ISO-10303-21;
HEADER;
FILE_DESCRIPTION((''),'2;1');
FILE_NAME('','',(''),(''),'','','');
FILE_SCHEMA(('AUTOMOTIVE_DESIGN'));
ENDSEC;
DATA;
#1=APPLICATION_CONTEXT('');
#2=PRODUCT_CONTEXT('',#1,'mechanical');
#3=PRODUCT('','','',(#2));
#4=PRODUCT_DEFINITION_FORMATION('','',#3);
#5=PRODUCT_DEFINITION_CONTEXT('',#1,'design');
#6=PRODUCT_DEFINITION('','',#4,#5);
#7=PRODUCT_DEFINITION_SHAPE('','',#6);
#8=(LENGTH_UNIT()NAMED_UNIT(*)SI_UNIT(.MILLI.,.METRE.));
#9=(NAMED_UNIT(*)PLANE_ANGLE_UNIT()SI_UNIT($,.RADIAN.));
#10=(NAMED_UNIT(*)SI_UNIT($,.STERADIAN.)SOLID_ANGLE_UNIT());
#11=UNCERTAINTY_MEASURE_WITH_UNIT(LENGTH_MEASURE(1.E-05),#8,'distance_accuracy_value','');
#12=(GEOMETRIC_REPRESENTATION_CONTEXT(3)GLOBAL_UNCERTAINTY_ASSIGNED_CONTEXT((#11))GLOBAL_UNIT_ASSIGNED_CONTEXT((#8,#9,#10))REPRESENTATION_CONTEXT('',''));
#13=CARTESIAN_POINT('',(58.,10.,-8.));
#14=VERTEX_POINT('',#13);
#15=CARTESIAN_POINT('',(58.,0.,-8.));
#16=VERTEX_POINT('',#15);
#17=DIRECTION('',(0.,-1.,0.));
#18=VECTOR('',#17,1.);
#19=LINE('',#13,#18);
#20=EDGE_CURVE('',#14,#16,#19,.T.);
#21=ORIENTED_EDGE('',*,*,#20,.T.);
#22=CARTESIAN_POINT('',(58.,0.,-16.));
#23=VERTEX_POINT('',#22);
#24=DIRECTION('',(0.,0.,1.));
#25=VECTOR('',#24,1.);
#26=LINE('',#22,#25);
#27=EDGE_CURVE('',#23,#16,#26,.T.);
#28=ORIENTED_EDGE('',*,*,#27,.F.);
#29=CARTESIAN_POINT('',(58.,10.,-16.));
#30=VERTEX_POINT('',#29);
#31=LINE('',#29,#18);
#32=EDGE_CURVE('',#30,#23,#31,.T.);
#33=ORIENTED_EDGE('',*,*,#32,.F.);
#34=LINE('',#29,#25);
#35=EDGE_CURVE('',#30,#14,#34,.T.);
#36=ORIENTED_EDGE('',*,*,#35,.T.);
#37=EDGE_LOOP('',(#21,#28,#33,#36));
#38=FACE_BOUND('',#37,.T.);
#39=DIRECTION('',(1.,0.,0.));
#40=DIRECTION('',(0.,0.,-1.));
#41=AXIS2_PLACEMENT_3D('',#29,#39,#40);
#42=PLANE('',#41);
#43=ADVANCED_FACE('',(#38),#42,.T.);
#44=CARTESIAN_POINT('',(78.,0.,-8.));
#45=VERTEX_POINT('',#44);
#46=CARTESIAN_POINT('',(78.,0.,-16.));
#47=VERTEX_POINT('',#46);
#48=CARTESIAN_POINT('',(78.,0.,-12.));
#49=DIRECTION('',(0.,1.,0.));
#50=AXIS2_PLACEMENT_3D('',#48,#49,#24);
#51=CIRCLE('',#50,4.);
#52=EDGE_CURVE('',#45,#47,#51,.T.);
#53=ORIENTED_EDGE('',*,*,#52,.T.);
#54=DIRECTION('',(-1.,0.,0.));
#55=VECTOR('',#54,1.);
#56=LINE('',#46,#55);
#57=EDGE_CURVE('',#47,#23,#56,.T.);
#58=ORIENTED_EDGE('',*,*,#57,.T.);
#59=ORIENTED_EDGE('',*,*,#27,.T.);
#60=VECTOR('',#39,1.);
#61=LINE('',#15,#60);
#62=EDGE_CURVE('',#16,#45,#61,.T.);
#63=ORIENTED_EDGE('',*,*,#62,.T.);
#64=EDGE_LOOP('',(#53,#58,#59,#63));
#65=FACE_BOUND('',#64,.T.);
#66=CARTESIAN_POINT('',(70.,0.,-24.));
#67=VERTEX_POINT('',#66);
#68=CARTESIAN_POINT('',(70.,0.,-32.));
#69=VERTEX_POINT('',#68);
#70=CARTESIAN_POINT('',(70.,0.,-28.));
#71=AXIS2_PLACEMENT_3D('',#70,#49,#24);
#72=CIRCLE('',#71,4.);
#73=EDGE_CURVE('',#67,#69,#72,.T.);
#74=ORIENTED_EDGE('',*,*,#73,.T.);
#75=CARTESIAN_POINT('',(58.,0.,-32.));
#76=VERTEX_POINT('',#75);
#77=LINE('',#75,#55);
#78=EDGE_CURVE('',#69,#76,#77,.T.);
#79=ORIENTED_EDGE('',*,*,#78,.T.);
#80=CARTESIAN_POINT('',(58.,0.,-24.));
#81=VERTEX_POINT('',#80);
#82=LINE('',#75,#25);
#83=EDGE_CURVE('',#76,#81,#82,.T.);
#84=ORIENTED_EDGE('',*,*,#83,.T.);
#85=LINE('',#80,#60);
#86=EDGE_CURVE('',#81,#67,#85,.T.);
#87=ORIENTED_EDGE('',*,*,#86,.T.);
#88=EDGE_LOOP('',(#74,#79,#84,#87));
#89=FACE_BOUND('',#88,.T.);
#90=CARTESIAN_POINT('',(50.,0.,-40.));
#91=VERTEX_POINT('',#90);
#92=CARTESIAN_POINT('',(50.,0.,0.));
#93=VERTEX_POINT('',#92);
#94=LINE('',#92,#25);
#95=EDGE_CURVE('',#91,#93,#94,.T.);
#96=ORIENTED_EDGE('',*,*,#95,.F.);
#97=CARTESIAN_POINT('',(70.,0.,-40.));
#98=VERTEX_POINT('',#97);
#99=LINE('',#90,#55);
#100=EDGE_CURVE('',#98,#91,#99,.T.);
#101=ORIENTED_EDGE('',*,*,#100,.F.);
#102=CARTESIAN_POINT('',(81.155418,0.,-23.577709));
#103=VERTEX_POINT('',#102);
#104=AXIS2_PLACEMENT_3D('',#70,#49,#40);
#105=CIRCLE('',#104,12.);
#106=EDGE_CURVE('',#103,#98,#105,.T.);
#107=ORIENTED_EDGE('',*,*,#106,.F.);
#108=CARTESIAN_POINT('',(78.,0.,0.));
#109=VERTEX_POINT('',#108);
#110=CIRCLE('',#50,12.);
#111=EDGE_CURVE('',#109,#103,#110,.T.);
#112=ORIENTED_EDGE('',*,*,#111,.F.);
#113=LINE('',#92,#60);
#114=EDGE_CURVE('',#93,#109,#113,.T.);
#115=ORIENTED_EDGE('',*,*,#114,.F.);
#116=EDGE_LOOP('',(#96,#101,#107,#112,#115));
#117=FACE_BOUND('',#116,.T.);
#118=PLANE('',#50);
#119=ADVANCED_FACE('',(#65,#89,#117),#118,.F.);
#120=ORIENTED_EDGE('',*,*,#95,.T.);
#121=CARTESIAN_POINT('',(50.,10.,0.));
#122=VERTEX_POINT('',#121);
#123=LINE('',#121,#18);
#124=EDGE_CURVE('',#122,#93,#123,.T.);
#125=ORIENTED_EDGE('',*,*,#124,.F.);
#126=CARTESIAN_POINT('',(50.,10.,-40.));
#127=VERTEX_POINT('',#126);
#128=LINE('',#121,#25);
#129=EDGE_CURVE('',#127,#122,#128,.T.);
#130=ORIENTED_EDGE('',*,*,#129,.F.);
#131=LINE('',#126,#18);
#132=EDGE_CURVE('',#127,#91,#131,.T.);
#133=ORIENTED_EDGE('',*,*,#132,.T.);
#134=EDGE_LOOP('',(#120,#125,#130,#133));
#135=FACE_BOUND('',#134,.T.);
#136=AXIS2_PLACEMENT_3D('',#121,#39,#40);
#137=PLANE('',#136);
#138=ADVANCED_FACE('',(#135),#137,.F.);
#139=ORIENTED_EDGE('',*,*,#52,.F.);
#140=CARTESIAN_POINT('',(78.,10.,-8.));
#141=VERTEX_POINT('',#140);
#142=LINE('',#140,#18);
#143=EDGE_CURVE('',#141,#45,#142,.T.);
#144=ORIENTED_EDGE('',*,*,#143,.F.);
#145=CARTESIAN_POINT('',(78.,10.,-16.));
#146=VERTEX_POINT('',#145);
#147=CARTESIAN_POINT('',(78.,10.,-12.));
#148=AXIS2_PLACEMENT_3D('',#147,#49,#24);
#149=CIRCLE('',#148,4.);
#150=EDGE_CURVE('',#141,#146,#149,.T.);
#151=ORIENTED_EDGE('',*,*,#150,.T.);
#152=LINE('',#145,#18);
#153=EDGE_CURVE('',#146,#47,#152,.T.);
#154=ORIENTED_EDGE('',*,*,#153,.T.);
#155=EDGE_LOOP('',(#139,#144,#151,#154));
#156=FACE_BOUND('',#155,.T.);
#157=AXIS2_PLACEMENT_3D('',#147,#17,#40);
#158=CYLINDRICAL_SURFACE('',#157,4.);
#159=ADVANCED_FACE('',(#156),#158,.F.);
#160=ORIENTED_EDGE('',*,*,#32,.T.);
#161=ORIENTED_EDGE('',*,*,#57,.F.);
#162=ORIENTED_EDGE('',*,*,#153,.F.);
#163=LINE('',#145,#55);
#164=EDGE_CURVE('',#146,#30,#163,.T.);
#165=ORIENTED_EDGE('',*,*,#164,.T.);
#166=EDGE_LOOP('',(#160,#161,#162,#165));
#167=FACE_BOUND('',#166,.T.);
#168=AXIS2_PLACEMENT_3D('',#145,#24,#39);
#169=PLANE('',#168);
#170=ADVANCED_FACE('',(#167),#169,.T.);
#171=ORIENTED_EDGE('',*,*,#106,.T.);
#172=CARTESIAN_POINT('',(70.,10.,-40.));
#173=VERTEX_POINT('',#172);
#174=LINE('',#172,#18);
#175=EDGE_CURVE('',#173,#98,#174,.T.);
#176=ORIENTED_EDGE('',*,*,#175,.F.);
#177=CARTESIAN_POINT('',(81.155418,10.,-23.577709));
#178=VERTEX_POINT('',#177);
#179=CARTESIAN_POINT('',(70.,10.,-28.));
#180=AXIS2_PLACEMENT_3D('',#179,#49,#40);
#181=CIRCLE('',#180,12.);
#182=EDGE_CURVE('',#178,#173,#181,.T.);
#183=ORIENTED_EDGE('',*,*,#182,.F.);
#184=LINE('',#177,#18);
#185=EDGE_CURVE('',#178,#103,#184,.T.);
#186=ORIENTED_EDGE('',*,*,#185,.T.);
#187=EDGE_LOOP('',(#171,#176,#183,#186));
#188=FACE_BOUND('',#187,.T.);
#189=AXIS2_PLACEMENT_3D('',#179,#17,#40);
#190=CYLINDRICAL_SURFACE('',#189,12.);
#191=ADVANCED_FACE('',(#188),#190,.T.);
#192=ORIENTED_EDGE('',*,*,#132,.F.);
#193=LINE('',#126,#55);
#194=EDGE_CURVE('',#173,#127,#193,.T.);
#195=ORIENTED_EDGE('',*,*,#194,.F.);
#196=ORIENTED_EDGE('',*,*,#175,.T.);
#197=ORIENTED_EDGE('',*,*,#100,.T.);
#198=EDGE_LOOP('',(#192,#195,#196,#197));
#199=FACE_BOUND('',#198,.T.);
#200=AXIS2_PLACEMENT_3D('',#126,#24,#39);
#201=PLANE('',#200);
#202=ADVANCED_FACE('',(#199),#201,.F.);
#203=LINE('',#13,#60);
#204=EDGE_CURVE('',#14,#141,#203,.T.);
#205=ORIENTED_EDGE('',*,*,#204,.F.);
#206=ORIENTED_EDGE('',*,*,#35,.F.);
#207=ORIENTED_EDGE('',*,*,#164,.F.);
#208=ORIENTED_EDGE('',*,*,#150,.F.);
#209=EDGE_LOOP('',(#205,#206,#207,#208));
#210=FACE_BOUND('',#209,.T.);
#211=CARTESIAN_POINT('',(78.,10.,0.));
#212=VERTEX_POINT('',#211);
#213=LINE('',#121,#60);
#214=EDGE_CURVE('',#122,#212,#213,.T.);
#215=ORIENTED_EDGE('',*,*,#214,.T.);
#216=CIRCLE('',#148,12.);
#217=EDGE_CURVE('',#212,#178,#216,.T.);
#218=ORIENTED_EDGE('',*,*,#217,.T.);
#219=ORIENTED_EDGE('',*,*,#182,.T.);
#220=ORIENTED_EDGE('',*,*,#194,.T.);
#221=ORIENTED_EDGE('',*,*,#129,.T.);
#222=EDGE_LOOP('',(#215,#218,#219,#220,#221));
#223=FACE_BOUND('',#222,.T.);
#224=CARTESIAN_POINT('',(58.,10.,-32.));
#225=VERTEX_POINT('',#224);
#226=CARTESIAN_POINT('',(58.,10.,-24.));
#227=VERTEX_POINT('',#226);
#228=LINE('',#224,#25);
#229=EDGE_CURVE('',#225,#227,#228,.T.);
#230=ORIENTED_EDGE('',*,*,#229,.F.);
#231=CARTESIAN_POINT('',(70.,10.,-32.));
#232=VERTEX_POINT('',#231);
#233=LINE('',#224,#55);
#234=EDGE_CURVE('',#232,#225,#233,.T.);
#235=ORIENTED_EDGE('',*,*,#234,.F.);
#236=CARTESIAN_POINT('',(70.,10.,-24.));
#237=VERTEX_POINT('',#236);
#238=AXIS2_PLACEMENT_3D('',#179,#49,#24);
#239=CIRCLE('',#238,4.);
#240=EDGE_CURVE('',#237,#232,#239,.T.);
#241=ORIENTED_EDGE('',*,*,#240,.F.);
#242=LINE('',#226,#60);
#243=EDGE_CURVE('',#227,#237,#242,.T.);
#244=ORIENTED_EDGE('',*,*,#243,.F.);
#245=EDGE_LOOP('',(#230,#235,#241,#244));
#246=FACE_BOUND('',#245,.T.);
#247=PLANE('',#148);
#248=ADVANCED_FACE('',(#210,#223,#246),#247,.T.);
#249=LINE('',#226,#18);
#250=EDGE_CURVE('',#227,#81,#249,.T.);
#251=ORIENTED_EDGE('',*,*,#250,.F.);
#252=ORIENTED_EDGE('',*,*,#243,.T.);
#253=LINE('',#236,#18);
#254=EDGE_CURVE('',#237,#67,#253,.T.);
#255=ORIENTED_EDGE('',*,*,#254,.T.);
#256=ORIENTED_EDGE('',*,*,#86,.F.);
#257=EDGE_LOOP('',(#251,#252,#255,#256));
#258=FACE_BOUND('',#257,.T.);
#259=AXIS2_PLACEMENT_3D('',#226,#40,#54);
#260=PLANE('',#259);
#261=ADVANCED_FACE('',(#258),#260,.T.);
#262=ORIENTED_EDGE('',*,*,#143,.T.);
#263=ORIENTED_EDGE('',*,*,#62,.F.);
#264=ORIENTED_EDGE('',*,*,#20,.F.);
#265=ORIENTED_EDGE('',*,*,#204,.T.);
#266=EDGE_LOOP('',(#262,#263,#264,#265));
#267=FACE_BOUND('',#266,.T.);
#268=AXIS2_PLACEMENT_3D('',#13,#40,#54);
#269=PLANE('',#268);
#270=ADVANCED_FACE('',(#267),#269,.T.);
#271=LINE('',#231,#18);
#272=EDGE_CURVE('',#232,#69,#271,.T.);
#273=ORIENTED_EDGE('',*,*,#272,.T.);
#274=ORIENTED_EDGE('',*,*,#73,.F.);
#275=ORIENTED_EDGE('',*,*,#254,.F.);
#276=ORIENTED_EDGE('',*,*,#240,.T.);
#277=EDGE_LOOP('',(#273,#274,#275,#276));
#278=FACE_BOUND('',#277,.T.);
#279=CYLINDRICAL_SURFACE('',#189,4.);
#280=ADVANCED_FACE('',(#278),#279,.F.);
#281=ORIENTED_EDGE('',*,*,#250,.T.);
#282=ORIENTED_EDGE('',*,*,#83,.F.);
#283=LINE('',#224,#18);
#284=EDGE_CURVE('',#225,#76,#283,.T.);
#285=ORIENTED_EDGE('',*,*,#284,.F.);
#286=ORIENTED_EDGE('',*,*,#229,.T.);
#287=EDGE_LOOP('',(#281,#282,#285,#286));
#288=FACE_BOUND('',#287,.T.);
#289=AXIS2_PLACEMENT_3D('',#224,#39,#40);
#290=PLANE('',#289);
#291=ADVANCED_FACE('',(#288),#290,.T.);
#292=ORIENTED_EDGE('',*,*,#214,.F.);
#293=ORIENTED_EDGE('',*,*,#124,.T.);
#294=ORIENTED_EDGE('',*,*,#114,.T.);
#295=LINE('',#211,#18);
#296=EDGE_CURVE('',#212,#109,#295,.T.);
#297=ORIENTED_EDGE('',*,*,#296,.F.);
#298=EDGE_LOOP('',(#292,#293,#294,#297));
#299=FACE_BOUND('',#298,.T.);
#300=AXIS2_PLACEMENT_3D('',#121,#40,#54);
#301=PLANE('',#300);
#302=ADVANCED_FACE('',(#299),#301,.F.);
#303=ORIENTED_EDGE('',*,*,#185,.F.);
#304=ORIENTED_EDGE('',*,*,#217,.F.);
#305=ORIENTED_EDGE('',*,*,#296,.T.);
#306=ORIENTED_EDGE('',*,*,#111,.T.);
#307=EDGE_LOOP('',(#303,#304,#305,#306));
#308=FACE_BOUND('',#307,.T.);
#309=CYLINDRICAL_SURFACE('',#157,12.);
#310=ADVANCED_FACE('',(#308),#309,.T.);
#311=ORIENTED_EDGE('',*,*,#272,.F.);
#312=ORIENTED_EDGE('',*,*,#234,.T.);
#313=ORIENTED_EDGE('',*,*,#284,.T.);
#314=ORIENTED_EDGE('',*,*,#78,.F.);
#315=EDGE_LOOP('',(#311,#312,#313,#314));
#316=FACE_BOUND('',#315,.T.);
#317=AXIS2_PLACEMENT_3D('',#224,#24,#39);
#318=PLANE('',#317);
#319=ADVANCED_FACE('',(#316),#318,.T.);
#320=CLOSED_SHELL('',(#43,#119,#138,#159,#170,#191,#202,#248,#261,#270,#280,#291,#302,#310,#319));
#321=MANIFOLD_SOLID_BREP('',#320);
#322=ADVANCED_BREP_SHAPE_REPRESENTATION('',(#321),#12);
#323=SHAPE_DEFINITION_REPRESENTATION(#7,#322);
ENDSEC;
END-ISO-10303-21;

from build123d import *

# Parameters (mm, degrees)
BOSS_EXTRUDE1_DEPTH = 10


with BuildPart() as part:
    # Sketch1 → Boss-Extrude1 (new body)
    with BuildSketch(Plane(origin=(0, 0, 0), x_dir=(1, 0, 0), z_dir=(0, 1, 0))):
        with BuildLine():
            Line((50, 0), (50, 40))
            Line((50, 40), (70, 40))
            ThreePointArc((70, 40), (79.926416645, 34.742866793), (81.155417528, 23.577708764))
            ThreePointArc((81.155417528, 23.577708764), (89.893958659, 10.408225074), (78, 0))
            Line((78, 0), (50, 0))
        make_face()
        with BuildLine():
            Line((58, 32), (58, 24))
            Line((58, 24), (70, 24))
            ThreePointArc((70, 24), (74, 28), (70, 32))
            Line((70, 32), (58, 32))
        make_face(mode=Mode.SUBTRACT)
        with BuildLine():
            Line((58, 8), (78, 8))
            ThreePointArc((78, 8), (82, 12), (78, 16))
            Line((78, 16), (58, 16))
            Line((58, 16), (58, 8))
        make_face(mode=Mode.SUBTRACT)
    extrude(amount=BOSS_EXTRUDE1_DEPTH)


solid = part.part
